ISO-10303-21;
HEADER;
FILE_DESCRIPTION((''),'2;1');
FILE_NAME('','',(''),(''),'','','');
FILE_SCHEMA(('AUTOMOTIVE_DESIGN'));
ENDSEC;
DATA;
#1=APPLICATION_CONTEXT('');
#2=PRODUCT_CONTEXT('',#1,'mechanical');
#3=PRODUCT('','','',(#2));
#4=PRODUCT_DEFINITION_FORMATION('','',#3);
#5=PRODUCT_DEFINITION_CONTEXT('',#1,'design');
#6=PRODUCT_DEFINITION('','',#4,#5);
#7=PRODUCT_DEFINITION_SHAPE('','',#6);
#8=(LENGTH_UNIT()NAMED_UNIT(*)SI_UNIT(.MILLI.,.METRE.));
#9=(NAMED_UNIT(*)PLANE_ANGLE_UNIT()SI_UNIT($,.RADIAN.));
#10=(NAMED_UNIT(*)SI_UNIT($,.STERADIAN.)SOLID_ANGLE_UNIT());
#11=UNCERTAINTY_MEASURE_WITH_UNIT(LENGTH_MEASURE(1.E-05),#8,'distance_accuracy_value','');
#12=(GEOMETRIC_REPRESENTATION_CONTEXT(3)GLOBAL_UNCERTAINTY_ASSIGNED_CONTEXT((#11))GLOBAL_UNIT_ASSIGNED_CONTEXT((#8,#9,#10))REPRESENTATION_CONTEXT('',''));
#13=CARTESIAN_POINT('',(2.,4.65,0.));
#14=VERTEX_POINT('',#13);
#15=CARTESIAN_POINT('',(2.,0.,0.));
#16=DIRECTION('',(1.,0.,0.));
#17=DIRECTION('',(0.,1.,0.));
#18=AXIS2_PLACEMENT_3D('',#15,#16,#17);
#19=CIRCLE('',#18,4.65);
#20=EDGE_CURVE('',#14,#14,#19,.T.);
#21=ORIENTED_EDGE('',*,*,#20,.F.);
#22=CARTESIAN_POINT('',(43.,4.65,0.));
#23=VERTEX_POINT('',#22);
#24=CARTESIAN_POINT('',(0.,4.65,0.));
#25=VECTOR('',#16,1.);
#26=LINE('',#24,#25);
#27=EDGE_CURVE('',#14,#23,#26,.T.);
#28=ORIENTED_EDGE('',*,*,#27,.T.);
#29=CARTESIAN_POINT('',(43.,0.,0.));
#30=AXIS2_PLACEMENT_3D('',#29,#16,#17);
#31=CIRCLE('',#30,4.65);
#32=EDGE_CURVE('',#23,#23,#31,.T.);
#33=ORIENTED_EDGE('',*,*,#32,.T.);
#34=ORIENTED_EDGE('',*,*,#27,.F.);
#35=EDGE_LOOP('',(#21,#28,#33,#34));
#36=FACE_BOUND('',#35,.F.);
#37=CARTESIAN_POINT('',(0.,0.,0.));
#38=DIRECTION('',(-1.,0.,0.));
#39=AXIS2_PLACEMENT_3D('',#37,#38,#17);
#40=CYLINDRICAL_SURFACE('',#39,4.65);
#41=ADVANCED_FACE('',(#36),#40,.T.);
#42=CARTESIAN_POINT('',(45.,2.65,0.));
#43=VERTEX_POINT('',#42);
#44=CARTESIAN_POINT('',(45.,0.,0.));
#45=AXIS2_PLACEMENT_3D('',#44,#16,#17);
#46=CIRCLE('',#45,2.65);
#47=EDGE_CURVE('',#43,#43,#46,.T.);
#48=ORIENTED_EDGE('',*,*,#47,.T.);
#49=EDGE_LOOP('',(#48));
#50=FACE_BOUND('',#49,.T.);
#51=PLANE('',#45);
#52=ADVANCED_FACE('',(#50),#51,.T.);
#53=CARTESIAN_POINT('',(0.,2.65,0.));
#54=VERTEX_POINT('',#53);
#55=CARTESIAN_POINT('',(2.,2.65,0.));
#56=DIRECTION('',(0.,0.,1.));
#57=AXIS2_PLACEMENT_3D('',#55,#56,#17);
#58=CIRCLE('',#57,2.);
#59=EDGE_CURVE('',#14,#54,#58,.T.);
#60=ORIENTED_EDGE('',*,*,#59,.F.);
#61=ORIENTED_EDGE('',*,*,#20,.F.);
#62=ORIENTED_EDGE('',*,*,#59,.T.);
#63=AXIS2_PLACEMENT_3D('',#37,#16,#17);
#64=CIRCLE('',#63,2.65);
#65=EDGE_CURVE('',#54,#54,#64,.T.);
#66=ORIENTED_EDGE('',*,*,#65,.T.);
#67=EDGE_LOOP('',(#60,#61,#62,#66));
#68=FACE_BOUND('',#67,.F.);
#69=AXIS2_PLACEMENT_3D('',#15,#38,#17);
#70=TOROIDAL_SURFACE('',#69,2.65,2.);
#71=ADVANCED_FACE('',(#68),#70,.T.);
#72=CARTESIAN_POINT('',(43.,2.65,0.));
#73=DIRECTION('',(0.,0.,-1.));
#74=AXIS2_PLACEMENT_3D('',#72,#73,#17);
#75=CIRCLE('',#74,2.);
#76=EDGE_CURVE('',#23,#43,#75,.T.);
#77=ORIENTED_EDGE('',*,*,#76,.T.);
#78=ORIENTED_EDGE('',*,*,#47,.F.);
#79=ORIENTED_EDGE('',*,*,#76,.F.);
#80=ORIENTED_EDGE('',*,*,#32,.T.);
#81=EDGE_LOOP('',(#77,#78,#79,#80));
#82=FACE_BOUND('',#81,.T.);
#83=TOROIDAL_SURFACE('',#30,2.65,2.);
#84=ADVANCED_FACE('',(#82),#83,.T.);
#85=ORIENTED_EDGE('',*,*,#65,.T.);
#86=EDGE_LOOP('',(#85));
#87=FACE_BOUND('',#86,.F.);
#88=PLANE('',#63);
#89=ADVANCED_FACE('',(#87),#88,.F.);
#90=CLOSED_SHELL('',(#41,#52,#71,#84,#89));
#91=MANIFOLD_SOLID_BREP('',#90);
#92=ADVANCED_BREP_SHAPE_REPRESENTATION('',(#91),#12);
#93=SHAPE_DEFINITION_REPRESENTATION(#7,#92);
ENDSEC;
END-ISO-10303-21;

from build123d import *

# Parameters (mm, degrees)
F0_R     = 4.65
F1_DEPTH = 45
F2_R     = 2
F3_R     = 2


with BuildPart() as f1:
    # F0 (on Right) → F1 (new body)
    with BuildSketch(Plane.YZ):
        Circle(F0_R)
    extrude(amount=F1_DEPTH)

    # F2
    f2_edges = [f1.edges().sort_by_distance(p)[0] for p in [
        (0, -4.65, 0),
    ]]
    fillet(f2_edges, radius=F2_R)

    # F3
    f3_edges = [f1.edges().sort_by_distance(p)[0] for p in [
        (45, -4.65, 0),
    ]]
    fillet(f3_edges, radius=F3_R)


solid = f1.part
